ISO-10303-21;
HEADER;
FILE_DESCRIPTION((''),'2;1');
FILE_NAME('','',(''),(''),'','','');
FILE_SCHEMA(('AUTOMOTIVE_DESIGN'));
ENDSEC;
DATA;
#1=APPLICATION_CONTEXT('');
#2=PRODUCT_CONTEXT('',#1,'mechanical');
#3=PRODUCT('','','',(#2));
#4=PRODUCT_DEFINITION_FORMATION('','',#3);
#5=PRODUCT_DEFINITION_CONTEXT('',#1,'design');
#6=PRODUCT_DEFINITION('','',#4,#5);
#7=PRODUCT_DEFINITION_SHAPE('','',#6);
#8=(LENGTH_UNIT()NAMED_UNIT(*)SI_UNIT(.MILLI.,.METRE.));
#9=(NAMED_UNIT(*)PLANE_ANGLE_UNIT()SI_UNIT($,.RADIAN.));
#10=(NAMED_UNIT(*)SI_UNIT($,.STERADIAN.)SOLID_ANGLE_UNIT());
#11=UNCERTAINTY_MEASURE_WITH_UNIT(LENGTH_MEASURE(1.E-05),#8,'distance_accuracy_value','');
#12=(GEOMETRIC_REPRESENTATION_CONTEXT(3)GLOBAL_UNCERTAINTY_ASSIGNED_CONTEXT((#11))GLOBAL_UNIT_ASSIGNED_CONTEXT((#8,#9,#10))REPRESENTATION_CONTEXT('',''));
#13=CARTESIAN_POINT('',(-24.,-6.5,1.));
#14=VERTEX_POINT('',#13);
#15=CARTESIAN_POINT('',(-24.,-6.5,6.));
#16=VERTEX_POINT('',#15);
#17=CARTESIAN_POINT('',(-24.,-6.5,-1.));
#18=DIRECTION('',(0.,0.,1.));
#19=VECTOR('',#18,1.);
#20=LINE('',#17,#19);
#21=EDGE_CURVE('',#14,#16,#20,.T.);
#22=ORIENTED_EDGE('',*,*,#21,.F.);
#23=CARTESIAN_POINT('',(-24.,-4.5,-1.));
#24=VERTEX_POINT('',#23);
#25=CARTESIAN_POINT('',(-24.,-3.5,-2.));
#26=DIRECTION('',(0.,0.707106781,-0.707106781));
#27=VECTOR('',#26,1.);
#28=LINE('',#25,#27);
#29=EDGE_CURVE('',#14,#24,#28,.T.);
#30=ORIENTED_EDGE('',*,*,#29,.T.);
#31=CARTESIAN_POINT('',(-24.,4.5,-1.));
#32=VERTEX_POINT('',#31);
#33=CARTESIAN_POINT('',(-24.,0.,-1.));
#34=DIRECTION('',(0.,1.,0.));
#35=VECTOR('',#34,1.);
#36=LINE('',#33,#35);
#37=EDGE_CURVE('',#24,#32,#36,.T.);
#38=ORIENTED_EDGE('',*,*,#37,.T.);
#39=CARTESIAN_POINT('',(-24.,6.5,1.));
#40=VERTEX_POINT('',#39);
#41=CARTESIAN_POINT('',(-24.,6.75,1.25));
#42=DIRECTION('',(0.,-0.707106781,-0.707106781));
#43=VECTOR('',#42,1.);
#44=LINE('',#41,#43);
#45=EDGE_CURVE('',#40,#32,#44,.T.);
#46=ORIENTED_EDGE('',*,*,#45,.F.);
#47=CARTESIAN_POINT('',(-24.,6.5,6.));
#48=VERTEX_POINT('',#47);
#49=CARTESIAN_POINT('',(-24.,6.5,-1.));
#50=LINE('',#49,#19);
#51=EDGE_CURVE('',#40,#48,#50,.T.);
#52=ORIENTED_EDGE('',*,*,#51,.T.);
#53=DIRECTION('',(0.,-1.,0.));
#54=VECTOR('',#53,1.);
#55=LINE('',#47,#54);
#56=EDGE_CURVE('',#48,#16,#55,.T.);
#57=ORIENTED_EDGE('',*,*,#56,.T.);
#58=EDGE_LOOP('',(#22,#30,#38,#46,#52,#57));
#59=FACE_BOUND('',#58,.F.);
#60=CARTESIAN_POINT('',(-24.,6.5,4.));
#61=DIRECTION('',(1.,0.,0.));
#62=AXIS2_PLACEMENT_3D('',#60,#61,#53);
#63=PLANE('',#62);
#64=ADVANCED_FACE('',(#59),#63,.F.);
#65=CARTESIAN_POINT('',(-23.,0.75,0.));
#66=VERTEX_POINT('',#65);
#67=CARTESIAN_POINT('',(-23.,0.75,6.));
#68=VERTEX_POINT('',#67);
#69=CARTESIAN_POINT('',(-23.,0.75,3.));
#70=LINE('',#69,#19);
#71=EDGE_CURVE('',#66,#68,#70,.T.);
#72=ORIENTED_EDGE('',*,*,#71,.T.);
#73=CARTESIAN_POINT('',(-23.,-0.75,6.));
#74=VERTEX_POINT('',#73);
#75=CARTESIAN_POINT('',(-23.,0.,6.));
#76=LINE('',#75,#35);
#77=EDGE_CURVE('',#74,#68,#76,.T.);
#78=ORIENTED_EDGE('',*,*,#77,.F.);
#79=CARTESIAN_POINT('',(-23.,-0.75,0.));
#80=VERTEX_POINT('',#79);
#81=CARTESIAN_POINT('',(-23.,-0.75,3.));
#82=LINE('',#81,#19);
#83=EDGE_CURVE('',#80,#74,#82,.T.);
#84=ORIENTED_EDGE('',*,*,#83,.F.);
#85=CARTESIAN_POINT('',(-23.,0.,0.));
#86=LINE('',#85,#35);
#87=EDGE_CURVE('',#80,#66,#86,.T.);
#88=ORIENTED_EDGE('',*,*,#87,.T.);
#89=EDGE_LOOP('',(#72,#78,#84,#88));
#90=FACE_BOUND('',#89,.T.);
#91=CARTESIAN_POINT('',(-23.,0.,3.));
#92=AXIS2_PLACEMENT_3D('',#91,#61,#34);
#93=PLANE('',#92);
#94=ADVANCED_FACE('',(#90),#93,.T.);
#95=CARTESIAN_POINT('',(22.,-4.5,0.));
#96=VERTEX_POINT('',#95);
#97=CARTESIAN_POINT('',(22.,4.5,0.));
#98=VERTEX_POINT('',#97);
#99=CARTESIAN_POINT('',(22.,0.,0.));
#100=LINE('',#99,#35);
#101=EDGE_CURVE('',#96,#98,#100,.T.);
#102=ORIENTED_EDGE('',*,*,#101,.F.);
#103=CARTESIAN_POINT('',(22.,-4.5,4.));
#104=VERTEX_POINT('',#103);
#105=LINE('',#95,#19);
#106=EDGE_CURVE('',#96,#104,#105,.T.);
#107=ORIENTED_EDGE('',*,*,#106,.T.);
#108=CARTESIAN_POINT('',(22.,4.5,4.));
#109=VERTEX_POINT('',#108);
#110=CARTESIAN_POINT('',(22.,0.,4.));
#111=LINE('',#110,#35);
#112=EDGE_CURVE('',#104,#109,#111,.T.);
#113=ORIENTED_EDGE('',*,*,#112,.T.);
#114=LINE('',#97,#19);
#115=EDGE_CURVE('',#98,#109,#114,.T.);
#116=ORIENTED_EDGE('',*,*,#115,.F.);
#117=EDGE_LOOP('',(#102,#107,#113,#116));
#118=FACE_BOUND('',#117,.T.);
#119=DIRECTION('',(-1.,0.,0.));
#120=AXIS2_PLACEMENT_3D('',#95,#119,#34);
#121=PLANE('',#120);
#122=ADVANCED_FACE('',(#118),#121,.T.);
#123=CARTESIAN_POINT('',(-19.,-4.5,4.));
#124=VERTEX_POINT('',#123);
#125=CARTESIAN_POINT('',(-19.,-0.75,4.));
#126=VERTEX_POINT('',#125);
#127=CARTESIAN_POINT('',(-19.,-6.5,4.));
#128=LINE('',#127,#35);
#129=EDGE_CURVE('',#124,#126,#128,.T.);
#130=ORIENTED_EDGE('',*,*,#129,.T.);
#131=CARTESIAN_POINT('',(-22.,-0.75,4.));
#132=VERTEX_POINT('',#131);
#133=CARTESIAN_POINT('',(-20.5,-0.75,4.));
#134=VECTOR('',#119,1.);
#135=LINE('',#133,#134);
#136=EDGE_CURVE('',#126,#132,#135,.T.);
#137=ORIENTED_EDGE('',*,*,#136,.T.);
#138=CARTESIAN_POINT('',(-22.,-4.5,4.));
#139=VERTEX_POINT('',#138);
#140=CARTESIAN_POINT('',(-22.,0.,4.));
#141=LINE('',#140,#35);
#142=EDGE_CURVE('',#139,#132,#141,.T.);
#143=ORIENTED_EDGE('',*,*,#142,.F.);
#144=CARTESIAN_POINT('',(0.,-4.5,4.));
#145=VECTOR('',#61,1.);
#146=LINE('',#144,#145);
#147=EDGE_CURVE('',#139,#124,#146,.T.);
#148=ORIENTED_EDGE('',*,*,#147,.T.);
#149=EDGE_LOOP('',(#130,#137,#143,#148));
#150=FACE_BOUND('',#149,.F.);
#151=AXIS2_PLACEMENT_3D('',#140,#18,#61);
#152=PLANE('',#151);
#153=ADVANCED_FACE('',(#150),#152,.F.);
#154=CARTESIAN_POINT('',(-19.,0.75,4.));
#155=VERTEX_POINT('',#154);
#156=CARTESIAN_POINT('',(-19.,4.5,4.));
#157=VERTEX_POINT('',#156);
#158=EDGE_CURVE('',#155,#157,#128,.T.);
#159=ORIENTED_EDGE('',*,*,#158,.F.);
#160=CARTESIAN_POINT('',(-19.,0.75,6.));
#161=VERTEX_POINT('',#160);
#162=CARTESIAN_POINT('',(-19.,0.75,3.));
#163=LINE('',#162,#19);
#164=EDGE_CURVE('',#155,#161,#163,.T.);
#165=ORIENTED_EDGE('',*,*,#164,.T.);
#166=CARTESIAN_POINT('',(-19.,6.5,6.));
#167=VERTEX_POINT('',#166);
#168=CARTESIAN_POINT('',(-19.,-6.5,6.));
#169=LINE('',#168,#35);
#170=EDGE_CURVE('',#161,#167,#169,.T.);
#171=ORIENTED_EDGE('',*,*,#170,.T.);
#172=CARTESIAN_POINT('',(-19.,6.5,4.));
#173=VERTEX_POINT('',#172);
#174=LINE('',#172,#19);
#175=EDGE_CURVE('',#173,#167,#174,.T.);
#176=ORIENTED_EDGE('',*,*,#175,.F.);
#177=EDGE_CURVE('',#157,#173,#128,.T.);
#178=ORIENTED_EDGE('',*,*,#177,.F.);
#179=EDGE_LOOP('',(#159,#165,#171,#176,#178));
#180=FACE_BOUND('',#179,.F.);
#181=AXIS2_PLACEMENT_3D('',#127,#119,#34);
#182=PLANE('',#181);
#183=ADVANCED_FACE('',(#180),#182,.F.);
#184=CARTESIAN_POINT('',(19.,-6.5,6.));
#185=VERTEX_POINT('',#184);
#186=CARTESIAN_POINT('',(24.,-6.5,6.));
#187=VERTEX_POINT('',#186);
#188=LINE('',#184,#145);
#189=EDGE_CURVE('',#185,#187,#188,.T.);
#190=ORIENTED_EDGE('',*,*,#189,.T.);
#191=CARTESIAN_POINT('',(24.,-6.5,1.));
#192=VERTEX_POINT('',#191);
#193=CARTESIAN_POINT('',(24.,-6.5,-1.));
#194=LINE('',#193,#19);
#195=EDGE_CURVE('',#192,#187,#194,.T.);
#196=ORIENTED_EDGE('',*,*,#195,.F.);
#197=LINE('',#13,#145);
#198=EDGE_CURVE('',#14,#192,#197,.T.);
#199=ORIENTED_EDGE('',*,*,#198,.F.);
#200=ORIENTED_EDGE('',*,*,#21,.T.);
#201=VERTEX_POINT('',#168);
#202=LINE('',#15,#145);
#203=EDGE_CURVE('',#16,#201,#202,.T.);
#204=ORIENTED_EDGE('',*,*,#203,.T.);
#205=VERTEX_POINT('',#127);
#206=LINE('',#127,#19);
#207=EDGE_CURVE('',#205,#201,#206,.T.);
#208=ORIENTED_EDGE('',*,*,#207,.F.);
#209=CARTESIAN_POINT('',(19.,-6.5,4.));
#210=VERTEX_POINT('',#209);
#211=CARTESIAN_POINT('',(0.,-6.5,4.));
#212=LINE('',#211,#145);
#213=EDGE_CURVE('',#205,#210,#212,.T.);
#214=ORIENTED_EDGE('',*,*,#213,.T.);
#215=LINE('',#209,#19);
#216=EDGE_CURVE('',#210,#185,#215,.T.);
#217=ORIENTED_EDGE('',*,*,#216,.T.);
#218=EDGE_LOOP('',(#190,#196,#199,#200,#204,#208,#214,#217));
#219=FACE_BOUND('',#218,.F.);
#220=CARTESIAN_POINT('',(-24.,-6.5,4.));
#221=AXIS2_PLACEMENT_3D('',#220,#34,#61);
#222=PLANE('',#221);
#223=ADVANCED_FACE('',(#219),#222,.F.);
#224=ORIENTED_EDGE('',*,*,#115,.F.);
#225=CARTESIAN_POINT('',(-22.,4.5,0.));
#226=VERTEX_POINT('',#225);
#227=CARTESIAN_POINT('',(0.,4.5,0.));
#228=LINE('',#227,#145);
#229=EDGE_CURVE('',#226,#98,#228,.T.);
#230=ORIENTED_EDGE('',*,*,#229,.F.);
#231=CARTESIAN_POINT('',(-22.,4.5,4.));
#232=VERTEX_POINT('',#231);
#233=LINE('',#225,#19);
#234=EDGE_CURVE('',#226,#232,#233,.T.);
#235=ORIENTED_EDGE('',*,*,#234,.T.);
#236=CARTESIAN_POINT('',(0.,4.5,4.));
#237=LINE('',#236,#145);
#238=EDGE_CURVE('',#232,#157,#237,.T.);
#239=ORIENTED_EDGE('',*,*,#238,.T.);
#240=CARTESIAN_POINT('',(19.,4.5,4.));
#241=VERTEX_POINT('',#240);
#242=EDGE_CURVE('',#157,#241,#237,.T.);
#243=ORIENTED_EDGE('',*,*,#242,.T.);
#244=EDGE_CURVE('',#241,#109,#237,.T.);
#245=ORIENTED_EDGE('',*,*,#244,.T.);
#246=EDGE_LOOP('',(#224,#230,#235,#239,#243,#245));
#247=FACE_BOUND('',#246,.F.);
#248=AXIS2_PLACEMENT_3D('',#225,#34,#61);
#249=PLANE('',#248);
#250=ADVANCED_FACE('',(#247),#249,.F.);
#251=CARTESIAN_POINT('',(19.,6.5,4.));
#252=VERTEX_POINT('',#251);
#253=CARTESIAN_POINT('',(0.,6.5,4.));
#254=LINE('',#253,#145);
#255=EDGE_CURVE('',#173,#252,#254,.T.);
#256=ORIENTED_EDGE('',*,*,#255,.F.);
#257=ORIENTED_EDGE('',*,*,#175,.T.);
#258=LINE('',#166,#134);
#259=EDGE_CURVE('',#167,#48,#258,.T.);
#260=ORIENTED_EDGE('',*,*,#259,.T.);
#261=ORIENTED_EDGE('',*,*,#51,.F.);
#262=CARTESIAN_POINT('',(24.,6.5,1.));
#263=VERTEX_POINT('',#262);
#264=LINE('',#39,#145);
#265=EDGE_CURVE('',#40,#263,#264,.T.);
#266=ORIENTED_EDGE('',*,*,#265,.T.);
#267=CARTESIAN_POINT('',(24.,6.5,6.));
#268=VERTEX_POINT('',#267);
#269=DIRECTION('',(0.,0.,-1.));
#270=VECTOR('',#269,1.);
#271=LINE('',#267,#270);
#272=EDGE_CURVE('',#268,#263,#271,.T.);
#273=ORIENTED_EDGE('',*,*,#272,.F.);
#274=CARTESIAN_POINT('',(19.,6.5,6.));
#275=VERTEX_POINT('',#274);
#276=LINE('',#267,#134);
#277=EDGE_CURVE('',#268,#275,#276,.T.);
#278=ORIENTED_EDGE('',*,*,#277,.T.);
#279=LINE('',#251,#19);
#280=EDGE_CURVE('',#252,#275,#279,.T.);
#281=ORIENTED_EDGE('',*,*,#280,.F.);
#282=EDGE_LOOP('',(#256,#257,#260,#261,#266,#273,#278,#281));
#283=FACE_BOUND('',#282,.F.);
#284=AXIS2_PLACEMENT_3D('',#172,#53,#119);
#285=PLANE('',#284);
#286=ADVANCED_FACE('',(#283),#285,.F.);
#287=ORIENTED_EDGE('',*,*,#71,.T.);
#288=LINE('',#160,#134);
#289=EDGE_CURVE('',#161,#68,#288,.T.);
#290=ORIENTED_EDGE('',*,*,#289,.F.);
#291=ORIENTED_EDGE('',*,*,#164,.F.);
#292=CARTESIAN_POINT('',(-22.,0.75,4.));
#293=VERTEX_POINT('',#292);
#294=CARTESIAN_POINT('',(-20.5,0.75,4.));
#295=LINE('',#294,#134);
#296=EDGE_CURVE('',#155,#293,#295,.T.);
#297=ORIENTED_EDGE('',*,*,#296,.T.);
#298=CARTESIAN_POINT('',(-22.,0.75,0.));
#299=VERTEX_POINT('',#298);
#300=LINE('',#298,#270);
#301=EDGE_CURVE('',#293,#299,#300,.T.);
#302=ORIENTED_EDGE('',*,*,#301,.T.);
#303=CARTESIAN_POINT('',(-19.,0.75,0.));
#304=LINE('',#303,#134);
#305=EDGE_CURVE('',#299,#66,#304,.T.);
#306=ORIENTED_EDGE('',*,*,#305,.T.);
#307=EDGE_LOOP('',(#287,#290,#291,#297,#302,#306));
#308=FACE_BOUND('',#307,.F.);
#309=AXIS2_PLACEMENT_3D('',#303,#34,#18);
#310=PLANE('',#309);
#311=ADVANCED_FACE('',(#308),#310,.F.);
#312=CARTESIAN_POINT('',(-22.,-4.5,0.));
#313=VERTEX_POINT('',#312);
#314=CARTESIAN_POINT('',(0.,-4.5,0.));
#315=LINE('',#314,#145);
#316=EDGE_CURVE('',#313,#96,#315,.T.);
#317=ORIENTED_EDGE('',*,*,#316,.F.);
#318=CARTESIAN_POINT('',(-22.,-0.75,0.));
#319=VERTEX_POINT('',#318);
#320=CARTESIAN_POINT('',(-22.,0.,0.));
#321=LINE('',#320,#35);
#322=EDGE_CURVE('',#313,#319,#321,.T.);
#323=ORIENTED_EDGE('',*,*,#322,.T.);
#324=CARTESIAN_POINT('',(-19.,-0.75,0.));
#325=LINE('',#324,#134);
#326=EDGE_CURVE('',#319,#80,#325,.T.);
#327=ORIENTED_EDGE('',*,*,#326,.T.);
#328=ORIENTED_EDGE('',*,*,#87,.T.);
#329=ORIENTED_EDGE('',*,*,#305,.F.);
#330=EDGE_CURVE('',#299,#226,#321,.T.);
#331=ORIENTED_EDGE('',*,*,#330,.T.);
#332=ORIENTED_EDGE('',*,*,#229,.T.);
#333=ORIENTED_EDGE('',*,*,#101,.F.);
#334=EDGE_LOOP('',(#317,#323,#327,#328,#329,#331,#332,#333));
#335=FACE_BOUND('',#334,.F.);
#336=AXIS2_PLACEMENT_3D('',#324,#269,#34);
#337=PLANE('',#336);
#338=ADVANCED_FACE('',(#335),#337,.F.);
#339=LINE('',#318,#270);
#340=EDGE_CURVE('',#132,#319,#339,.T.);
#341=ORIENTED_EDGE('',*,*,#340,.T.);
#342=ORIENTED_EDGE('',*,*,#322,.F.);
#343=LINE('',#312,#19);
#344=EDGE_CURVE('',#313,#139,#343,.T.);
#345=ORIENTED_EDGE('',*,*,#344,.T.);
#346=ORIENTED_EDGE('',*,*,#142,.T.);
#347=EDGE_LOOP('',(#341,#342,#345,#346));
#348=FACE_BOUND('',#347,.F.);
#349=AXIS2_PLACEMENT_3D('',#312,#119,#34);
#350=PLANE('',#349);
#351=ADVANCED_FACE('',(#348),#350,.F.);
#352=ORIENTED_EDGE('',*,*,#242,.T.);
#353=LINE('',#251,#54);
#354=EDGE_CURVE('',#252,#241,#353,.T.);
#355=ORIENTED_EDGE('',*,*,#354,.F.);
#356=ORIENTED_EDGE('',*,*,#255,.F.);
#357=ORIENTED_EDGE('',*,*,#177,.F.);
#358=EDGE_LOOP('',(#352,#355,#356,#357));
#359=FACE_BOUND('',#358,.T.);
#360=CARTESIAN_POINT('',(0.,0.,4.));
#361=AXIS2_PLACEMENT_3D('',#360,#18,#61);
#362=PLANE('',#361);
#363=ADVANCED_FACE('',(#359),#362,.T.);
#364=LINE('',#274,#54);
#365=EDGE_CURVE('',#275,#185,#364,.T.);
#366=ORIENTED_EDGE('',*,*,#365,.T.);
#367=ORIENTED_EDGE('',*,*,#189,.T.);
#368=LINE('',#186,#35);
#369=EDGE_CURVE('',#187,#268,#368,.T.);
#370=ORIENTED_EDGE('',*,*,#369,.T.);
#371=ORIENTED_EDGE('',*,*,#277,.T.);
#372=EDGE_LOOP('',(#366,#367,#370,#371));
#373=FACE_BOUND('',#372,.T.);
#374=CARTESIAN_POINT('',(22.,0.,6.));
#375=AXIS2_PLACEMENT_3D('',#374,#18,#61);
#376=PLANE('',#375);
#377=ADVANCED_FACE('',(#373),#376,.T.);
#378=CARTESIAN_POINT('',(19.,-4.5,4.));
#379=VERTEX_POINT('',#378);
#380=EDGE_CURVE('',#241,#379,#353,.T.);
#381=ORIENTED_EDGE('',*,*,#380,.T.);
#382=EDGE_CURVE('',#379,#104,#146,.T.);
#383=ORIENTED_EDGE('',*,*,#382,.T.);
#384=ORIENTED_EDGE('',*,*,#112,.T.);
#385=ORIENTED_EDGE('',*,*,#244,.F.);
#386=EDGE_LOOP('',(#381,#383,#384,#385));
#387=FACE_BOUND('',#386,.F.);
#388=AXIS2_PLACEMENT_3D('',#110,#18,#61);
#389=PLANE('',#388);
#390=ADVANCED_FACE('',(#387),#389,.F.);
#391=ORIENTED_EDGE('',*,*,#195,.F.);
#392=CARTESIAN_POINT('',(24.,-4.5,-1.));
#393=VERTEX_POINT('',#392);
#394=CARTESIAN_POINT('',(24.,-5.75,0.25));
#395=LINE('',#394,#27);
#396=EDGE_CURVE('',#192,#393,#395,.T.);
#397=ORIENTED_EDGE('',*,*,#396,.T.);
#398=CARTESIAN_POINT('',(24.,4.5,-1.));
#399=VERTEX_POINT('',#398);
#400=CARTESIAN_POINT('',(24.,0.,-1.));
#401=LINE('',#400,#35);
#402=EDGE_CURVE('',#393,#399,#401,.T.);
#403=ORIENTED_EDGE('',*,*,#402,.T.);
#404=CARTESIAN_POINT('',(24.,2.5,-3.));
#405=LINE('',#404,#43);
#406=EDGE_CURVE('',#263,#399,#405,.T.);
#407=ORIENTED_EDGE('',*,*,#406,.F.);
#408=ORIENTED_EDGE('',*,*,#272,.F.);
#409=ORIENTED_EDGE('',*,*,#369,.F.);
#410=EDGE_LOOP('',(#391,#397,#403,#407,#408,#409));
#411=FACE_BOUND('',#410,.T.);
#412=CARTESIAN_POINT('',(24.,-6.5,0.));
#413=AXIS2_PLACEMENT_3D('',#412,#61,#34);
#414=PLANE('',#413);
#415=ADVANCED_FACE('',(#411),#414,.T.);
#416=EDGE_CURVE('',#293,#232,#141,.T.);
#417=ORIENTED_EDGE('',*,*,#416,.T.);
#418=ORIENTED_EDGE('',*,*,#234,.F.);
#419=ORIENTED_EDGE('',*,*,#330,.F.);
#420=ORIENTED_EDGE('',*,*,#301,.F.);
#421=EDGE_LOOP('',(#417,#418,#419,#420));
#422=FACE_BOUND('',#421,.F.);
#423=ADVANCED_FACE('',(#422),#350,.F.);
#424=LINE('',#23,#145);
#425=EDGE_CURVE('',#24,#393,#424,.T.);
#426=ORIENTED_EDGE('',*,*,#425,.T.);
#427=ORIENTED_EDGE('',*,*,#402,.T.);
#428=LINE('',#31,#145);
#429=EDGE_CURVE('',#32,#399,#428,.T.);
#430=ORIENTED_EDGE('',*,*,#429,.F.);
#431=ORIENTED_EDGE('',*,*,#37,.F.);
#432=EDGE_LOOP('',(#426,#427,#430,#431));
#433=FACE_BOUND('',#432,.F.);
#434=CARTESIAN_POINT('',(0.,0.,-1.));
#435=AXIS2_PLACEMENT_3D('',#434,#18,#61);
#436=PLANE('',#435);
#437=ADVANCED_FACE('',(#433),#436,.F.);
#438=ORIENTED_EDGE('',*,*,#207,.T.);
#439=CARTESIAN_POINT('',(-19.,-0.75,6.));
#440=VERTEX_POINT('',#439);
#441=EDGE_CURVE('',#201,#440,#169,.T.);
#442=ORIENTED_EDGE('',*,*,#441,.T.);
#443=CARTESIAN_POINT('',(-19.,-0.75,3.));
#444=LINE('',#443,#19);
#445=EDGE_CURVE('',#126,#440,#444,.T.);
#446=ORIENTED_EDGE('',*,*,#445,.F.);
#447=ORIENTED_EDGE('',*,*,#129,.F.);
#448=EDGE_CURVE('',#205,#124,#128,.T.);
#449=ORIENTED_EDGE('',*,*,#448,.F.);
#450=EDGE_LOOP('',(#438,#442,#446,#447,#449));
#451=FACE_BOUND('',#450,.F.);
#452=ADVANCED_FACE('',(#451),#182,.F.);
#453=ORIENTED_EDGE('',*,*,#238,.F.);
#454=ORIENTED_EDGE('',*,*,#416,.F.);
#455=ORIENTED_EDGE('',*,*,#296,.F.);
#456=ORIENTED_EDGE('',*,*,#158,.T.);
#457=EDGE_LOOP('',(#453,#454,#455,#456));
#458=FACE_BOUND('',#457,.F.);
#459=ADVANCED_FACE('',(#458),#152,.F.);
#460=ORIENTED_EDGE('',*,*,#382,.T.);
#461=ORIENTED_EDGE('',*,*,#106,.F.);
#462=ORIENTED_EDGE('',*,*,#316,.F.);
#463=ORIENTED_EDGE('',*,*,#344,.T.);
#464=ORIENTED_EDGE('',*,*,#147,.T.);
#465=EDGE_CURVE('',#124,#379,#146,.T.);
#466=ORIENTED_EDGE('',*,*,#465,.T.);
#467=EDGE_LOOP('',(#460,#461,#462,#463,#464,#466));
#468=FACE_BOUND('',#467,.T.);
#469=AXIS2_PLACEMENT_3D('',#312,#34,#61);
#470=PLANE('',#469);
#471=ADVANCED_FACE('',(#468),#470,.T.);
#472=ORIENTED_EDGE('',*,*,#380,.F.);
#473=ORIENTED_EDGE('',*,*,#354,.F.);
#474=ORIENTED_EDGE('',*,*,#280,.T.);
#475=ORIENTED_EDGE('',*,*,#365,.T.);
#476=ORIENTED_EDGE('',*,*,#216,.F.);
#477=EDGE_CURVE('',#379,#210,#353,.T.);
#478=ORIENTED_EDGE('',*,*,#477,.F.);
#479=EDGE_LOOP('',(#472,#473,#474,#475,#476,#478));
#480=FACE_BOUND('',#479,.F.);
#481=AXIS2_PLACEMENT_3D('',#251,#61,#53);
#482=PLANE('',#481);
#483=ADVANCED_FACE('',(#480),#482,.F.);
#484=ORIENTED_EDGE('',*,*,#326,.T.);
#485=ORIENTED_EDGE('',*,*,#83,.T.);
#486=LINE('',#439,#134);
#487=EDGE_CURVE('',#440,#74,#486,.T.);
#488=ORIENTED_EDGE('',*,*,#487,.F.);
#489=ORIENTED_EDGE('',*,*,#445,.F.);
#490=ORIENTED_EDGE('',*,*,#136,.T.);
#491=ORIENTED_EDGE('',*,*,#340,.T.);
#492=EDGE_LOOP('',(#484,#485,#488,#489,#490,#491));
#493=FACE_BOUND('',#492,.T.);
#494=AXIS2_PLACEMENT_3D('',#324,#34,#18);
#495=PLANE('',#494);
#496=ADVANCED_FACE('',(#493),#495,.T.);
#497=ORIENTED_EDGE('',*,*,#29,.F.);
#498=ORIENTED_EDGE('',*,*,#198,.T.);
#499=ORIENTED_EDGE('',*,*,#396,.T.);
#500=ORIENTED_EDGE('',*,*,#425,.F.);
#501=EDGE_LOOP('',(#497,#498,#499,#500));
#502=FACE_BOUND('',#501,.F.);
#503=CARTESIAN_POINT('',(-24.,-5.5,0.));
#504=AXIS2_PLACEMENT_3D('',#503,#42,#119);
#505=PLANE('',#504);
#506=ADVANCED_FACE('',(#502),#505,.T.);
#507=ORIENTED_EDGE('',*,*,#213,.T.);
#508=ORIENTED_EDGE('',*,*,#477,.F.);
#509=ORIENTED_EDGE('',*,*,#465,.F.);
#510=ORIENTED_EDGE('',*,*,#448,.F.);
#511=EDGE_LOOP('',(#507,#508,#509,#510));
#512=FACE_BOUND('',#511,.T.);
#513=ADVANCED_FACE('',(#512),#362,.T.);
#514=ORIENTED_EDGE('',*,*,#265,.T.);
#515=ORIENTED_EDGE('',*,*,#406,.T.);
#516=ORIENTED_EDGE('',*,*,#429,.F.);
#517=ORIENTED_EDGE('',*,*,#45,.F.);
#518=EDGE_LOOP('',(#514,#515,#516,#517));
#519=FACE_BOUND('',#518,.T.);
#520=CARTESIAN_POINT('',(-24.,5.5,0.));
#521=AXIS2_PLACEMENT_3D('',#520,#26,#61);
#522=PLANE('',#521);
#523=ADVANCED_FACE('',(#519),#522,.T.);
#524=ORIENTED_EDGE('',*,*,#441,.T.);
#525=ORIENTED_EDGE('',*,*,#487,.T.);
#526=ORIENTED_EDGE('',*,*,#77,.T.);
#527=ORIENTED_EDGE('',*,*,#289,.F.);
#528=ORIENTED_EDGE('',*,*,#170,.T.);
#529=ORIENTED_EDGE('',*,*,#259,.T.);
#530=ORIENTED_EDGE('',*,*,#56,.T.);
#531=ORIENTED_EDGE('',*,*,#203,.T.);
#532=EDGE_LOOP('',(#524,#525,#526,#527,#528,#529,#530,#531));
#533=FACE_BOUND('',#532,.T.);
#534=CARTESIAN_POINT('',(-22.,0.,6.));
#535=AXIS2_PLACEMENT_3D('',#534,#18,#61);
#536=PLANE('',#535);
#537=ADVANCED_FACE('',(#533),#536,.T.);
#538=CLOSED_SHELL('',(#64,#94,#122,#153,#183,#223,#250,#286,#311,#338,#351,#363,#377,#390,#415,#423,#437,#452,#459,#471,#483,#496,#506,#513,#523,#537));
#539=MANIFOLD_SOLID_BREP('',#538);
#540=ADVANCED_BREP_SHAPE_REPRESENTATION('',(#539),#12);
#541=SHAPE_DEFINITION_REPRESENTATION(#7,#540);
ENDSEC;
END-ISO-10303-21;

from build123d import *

# Parameters (mm, degrees)
F0_W     = 48
F0_H     = 13
F0_W_2   = 44
F0_H_2   = 9
F1_DEPTH = 4
F2_DEPTH = 1
F3_W     = 3
F3_H     = 9
F4_DEPTH = 2
F5_SIZE  = 2
F6_W     = 1.5
F6_H     = 6
F7_DEPTH = 4


with BuildPart() as f1:
    # F0 (on Top) → F1 (new body)
    with BuildSketch(Plane.XY):
        Rectangle(F0_W, F0_H)
        Rectangle(F0_W_2, F0_H_2, mode=Mode.SUBTRACT)
    extrude(amount=F1_DEPTH)

    # F0 (on Top) → F2 (join)
    with BuildSketch(Plane.XY):
        Rectangle(F0_W, F0_H)
        Rectangle(F0_W_2, F0_H_2, mode=Mode.SUBTRACT)
        Rectangle(F0_W_2, F0_H_2)
    extrude(amount=-F2_DEPTH)

    # F3 (on face) → F4 (join)
    with BuildSketch(Plane.XY.offset(4)):
        Polygon((-19, 4.5), (-19, 6.5), (-24, 6.5), (-24, -6.5), (-19, -6.5), (-19, -4.5), (-22, -4.5), (-22, 4.5), align=None)
        with Locations((-20.5, 0)):
            Rectangle(F3_W, F3_H)
        Polygon((24, 6.5), (19, 6.5), (19, 4.5), (22, 4.5), (22, -4.5), (19, -4.5), (19, -6.5), (24, -6.5), align=None)
        with Locations((20.5, 0)):
            Rectangle(F3_W, F3_H)
    extrude(amount=F4_DEPTH)

    # F5
    f5_edges = [f1.edges().sort_by_distance(p)[0] for p in [
        (0, -6.5, -1),
        (0, 6.5, -1),
    ]]
    chamfer(f5_edges, length=F5_SIZE)

    # F6 (on face) → F7 (cut)
    with BuildSketch(Plane.YZ.offset(-19)):
        with Locations((0, 3)):
            Rectangle(F6_W, F6_H)
    extrude(amount=-F7_DEPTH, mode=Mode.SUBTRACT)


solid = f1.part
